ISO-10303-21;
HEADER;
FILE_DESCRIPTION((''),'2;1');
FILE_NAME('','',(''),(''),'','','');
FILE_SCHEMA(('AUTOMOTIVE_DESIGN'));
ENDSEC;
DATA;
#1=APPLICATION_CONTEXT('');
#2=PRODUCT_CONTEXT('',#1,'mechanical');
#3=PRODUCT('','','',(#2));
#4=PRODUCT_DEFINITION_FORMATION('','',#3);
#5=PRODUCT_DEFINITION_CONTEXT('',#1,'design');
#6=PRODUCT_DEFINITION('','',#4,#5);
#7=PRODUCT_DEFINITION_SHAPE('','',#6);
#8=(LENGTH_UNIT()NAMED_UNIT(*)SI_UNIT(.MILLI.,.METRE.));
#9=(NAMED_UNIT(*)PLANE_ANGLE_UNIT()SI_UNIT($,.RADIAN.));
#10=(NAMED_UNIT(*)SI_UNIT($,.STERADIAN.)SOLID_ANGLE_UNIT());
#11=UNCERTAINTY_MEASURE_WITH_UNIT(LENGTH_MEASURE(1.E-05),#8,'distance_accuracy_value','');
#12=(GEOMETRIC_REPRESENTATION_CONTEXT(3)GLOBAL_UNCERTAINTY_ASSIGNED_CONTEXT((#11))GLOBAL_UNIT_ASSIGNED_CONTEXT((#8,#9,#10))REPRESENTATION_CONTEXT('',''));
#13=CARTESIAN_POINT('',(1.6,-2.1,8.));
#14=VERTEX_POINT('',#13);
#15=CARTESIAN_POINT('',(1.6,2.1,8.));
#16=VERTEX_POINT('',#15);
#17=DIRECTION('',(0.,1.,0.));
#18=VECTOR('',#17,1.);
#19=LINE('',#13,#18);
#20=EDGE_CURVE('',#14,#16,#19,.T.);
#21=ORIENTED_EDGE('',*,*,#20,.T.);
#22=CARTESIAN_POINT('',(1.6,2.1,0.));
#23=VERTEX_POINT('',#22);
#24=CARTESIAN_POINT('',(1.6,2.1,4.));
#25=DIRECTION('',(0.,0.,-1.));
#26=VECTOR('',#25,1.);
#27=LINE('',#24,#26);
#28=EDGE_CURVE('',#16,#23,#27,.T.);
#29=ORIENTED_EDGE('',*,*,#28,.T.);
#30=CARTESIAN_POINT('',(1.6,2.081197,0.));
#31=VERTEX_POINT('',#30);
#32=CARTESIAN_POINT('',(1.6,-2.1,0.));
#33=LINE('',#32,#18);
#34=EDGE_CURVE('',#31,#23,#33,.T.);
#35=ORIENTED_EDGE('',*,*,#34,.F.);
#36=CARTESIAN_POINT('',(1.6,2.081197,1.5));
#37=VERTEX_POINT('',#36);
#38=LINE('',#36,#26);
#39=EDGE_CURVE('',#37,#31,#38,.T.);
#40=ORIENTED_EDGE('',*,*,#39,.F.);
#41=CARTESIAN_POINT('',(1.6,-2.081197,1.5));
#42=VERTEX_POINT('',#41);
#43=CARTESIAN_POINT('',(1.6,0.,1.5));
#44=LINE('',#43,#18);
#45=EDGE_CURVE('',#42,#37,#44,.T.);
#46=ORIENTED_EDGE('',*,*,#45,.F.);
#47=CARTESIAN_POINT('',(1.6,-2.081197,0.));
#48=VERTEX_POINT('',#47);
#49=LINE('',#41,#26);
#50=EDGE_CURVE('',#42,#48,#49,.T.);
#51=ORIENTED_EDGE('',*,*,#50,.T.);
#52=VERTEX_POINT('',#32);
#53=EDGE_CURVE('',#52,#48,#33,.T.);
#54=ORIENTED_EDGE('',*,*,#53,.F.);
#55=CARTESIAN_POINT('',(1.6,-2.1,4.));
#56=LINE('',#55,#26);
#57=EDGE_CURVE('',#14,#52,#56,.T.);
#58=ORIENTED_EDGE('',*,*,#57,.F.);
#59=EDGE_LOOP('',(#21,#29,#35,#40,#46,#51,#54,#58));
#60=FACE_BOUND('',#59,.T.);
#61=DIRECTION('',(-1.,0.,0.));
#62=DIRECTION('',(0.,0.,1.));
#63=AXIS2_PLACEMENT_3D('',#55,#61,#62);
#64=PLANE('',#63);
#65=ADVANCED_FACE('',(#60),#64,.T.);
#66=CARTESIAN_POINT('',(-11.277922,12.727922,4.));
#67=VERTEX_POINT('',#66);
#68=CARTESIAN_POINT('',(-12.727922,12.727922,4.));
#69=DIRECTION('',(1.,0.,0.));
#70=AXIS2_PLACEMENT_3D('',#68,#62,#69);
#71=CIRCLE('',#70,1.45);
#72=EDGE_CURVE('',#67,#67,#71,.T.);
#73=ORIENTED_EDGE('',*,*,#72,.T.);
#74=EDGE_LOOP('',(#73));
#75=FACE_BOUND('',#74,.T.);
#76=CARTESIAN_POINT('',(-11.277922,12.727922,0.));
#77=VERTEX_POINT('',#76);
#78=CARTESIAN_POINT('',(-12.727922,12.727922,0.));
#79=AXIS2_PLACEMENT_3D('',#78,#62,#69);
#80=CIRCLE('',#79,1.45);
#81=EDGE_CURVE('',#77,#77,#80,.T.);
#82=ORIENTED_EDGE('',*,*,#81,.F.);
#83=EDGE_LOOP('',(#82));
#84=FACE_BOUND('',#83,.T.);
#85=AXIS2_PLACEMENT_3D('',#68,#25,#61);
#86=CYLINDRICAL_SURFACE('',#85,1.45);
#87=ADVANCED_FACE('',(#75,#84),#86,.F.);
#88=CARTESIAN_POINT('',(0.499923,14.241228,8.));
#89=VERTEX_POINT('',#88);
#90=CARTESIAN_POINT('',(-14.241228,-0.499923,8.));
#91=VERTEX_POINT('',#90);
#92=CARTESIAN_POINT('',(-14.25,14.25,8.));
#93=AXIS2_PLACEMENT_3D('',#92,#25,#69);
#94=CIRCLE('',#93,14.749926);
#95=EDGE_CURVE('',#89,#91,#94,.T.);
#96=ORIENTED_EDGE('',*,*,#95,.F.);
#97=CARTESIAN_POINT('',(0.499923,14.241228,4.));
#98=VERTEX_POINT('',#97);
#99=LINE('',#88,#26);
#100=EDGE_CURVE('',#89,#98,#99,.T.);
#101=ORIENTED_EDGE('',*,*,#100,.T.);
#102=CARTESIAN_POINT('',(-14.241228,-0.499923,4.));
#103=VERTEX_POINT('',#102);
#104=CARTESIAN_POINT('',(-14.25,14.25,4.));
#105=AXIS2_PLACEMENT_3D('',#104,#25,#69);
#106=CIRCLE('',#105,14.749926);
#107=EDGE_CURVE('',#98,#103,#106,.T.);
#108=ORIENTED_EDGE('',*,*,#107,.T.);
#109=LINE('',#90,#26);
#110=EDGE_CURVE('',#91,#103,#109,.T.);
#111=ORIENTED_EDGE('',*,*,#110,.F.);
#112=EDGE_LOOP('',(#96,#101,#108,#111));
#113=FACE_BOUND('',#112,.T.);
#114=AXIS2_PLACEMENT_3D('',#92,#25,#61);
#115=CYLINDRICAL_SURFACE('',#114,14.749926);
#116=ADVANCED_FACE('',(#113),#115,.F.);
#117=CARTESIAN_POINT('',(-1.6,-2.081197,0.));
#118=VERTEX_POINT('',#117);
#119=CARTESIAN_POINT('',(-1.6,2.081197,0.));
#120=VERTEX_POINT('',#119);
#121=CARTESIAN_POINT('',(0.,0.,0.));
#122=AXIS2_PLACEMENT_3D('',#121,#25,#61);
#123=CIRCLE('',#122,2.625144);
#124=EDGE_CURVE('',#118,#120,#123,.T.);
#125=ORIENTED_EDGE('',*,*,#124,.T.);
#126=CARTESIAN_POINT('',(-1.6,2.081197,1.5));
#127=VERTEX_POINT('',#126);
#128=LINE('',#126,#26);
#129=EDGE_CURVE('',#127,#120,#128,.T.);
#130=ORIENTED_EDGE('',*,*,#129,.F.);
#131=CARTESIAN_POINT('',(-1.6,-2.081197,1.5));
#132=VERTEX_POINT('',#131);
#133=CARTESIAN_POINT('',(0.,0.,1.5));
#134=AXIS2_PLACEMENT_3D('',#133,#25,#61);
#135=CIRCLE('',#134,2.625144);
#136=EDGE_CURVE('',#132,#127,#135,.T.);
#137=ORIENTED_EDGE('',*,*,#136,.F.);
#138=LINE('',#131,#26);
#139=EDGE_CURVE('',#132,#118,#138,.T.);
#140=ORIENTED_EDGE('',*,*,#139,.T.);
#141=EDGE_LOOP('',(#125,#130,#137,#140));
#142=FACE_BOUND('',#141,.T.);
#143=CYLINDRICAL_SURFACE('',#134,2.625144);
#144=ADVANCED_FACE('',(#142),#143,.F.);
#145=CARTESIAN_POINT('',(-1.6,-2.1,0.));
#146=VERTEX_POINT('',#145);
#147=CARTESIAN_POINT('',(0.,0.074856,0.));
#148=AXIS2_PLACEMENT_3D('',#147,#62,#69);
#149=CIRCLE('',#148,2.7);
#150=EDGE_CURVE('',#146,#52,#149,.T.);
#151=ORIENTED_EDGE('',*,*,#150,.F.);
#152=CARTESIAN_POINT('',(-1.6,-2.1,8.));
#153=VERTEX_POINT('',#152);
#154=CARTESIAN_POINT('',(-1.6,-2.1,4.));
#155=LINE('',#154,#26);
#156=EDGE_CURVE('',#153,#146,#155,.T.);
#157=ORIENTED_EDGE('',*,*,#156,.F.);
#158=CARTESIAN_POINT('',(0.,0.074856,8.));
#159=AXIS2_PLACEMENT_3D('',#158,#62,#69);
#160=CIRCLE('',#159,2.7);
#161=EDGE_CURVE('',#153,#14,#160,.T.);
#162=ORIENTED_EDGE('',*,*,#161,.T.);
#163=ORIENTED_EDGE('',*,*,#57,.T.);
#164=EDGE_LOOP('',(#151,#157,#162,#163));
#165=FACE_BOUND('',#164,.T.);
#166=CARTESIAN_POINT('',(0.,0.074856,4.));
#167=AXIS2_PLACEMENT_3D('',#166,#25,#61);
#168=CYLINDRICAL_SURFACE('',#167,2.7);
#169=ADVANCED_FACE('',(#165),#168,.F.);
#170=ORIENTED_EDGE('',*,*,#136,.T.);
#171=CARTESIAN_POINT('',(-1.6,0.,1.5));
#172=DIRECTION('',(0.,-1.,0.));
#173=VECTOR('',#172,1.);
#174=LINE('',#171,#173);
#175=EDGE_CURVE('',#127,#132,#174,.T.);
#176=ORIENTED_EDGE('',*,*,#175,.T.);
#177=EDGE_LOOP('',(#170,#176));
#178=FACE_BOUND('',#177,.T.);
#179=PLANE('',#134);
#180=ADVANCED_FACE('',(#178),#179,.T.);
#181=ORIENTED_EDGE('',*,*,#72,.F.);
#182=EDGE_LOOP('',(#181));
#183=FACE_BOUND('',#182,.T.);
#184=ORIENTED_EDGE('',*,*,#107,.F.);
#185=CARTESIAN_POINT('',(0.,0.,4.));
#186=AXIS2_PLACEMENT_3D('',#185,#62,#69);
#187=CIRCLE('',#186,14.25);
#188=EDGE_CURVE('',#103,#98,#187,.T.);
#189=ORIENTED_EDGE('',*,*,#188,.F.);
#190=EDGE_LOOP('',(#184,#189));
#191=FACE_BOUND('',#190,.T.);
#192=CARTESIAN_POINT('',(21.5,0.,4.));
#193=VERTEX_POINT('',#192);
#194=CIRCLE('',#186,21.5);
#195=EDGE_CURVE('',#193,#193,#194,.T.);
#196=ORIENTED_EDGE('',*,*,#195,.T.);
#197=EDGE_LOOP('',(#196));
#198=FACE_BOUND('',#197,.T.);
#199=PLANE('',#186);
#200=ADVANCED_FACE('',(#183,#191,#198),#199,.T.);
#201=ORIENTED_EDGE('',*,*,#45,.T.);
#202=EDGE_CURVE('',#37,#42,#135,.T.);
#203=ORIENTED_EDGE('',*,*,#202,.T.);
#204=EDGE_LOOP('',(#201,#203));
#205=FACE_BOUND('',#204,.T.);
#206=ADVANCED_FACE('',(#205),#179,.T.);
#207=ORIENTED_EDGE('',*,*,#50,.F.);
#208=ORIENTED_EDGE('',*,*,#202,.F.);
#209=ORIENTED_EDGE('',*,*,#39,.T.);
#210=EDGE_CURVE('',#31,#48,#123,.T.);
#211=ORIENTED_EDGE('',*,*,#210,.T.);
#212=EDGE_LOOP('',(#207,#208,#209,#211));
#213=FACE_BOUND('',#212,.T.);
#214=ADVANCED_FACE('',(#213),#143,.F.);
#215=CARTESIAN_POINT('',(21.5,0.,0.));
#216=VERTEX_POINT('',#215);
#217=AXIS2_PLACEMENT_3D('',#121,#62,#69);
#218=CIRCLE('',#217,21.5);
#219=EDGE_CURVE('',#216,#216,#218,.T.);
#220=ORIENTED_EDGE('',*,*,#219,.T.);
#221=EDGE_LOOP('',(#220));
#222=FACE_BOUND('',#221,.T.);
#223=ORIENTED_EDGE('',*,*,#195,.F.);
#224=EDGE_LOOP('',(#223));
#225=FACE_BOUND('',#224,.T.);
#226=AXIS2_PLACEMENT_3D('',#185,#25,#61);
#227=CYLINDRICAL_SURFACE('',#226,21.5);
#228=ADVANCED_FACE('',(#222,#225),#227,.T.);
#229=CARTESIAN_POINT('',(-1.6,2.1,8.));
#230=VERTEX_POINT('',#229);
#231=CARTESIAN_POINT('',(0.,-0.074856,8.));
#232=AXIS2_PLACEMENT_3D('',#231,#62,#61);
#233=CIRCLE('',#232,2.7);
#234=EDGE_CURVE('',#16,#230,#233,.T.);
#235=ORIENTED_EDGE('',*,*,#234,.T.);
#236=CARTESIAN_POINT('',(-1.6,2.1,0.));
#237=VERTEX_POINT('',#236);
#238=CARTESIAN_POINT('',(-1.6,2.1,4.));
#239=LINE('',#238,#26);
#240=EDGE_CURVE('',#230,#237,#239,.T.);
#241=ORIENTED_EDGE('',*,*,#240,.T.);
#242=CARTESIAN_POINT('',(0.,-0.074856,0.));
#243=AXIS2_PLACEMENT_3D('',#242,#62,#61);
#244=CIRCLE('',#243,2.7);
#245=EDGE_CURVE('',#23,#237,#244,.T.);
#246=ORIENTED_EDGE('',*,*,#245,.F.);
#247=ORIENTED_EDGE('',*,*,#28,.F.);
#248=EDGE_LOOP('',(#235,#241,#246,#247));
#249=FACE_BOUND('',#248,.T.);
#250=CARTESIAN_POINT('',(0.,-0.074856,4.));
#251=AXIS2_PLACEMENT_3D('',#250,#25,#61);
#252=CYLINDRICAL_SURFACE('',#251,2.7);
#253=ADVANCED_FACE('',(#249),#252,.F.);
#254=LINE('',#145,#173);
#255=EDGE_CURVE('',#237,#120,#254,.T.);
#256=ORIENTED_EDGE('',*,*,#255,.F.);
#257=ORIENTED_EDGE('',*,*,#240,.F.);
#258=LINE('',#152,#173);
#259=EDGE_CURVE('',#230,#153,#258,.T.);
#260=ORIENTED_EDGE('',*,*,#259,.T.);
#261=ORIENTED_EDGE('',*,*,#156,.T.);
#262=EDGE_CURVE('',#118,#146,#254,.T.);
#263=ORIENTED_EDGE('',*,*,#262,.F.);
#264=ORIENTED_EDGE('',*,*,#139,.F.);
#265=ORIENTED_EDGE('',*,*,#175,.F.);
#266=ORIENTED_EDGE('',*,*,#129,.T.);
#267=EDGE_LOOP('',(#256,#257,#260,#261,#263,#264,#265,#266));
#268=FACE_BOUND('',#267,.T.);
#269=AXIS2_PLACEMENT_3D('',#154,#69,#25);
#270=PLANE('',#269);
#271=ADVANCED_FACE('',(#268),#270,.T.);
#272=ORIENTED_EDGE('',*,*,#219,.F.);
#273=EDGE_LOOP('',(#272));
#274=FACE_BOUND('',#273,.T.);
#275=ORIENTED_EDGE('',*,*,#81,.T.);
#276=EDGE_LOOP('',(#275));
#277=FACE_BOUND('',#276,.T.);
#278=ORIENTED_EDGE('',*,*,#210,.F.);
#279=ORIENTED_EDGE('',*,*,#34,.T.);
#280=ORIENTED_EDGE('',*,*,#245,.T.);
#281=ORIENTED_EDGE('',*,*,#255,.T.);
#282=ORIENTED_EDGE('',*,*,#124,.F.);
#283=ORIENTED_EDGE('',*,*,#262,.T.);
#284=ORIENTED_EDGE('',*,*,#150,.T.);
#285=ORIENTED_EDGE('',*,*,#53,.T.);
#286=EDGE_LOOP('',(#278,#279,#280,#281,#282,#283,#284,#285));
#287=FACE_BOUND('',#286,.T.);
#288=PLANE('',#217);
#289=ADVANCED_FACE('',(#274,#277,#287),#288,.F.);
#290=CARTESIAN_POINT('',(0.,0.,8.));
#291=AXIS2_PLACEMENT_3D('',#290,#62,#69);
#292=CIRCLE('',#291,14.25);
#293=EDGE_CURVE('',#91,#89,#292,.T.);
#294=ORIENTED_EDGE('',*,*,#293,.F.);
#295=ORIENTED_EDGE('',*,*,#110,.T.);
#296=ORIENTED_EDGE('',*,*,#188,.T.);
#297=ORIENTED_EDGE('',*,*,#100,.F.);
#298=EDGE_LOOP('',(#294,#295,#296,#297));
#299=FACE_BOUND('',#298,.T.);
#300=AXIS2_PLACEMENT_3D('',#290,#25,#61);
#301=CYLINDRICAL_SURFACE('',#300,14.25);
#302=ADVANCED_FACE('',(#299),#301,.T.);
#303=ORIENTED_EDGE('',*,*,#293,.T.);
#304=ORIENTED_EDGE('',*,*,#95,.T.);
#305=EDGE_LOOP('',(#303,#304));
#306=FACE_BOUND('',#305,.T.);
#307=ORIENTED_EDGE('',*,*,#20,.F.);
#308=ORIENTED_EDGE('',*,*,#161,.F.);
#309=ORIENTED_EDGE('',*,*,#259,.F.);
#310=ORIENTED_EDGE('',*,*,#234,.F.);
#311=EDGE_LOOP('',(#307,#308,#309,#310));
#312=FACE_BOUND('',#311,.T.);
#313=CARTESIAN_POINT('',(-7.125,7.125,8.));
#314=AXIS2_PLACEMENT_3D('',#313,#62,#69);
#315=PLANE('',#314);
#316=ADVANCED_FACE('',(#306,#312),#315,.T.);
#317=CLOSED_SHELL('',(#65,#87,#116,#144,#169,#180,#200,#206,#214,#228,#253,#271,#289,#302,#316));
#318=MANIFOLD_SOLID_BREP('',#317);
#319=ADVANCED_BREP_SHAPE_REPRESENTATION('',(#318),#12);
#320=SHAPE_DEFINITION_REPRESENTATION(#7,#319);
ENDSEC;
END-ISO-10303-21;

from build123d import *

# Parameters (mm, degrees)
SKETCH4_R           = 21.5
SKETCH4_R_2         = 1.45
BOSS_EXTRUDE1_DEPTH = 4
BOSS_EXTRUDE2_DEPTH = 4
CUT_EXTRUDE1_DEPTH  = 1.5


with BuildPart() as part:
    # Sketch4 → Boss-Extrude1 (new body)
    with BuildSketch(Plane.XY):
        Circle(SKETCH4_R)
        with Locations((-12.727922061, 12.727922061)):
            Circle(SKETCH4_R_2, mode=Mode.SUBTRACT)
        with BuildLine():
            Line((-1.6, -2.1), (-1.6, 2.1))
            ThreePointArc((-1.6, 2.1), (0, 2.625143683), (1.6, 2.1))
            Line((1.6, 2.1), (1.6, -2.1))
            ThreePointArc((1.6, -2.1), (0, -2.625143683), (-1.6, -2.1))
        make_face(mode=Mode.SUBTRACT)
    extrude(amount=BOSS_EXTRUDE1_DEPTH)

    # Sketch5 → Boss-Extrude2 (add)
    with BuildSketch(Plane.XY.offset(4)):
        with BuildLine():
            ThreePointArc((-14.24122807, -0.499923047), (10.076271632, -10.076271632), (0.499923047, 14.24122807))
            ThreePointArc((0.499923047, 14.24122807), (-3.820227547, 3.820227547), (-14.24122807, -0.499923047))
        make_face()
        with BuildLine():
            Line((1.6, -2.1), (1.6, 2.1))
            ThreePointArc((1.6, 2.1), (0, 2.625143683), (-1.6, 2.1))
            Line((-1.6, 2.1), (-1.6, -2.1))
            ThreePointArc((-1.6, -2.1), (0, -2.625143683), (1.6, -2.1))
        make_face(mode=Mode.SUBTRACT)
    extrude(amount=BOSS_EXTRUDE2_DEPTH)

    # Sketch7 → Cut-Extrude1 (cut)
    with BuildSketch(Plane(origin=(0, 0, 0), x_dir=(-1, 0, 0), z_dir=(0, 0, -1))):
        with BuildLine():
            Line((-1.6, -2.081196616), (-1.6, 2.081196616))
            ThreePointArc((-1.6, 2.081196616), (-2.625143683, 0), (-1.6, -2.081196616))
        make_face()
        with BuildLine():
            ThreePointArc((2.625143683, 0), (2.354953211, 1.159989108), (1.6, 2.081196616))
            Line((1.6, 2.081196616), (1.6, -2.081196616))
            ThreePointArc((1.6, -2.081196616), (2.354953211, -1.159989108), (2.625143683, 0))
        make_face()
    extrude(amount=-CUT_EXTRUDE1_DEPTH, mode=Mode.SUBTRACT)


solid = part.part
